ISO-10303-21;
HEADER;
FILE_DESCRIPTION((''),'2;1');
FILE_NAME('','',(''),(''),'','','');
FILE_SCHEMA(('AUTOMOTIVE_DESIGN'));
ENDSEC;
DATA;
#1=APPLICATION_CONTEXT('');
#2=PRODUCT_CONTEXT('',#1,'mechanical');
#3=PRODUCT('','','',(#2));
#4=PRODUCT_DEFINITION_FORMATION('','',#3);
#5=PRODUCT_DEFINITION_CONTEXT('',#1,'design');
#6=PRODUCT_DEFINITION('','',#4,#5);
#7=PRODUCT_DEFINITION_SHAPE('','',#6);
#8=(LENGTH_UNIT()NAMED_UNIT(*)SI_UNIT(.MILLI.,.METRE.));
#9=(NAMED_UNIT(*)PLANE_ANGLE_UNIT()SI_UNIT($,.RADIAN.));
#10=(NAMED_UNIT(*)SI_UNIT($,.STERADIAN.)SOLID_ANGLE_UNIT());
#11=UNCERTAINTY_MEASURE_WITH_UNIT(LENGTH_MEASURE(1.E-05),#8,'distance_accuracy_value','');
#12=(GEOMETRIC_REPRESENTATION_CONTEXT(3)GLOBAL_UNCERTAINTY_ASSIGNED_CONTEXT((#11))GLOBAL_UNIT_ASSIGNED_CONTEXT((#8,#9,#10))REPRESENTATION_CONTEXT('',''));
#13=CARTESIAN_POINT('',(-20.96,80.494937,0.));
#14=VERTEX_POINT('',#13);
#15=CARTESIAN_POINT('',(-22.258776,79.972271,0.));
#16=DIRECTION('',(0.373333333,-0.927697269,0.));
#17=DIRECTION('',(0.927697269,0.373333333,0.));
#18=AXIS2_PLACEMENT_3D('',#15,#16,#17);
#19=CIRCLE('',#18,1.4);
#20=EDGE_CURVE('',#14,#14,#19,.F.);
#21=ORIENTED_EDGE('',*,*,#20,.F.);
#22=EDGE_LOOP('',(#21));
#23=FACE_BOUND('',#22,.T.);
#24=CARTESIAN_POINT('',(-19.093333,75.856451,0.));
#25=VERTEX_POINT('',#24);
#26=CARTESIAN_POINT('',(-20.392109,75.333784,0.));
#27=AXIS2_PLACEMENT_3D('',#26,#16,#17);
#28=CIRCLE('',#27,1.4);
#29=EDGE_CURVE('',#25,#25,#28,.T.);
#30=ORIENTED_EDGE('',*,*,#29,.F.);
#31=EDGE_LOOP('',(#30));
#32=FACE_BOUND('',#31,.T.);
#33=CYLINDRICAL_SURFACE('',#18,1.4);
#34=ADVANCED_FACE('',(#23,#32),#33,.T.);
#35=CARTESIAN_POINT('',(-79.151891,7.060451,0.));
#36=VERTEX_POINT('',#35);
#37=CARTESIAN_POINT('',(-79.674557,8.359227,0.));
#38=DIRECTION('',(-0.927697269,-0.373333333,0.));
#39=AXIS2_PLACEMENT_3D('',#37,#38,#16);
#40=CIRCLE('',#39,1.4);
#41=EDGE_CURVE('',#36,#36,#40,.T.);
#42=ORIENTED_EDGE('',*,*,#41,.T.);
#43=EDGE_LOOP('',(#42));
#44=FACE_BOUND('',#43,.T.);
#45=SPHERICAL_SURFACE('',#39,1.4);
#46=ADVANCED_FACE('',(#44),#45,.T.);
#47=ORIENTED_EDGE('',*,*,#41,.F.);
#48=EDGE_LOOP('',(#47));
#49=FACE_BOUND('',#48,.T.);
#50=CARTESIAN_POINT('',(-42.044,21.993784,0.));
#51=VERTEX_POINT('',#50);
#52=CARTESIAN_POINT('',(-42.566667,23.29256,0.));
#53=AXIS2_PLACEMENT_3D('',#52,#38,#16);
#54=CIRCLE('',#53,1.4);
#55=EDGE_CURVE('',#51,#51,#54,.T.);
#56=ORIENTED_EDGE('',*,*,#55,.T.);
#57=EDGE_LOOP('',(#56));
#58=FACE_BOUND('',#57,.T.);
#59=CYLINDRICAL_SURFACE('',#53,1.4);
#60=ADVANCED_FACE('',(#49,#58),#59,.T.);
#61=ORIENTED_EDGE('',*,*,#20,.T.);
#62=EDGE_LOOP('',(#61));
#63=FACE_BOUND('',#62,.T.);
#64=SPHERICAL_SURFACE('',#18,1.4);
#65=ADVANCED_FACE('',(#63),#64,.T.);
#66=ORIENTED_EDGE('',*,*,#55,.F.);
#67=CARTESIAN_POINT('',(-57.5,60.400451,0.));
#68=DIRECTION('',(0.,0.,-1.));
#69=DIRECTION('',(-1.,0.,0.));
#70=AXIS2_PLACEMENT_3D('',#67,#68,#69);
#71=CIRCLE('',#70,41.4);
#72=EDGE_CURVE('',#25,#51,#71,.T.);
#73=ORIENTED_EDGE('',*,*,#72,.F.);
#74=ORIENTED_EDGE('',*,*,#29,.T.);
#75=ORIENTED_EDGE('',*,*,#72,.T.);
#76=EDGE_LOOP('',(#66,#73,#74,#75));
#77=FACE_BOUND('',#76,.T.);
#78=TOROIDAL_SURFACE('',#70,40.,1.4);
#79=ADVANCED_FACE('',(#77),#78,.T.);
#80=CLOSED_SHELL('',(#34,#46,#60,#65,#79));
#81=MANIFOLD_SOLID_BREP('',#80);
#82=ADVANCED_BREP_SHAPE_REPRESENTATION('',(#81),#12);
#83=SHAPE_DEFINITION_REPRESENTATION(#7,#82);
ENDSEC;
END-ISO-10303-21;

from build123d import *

# Parameters (mm, degrees)
SKETCH_3_R = 1.4


with BuildPart() as part:
    # 扫描1: sweep along a path in 草图2
    with BuildLine(Plane.XY) as sweep_1_path:
        Line((-22.258775921, 79.972270587), (-20.392109255, 75.333784243))
        ThreePointArc((-20.392109255, 75.333784243), (-20.701297553, 44.720670994), (-42.566666667, 23.292560165))
        Line((-42.566666667, 23.292560165), (-79.674557412, 8.359226832))
    # 草图3 → 扫描1 (sweep)
    with BuildSketch(Plane(origin=(-79.674557412, 8.359226832, 0), x_dir=(0, 0, 1), z_dir=(-0.9276972686292776, -0.3733333333333338, 0))):
        Circle(SKETCH_3_R)
    sweep(path=sweep_1_path.line)

    # 草图4 → 旋转1 (revolve)
    with BuildSketch(Plane(origin=(-65.674557412, -26.429420742, 0), x_dir=(0, 0, 1), z_dir=(-0.9276972686292776, -0.37333333333333385, 0))):
        with BuildLine():
            Line((0, 38.9), (0, 36.1))
            ThreePointArc((0, 36.1), (-1.4, 37.5), (0, 38.9))
        make_face()
    revolve(axis=Axis((-80.197224079, 9.658003008, 0), (0.37333333333333635, -0.9276972686292765, 0)))

    # 草图6 → 旋转2 (revolve)
    with BuildSketch(Plane(origin=(-30.8, 76.535024662, 0), x_dir=(0.9276972686292776, 0.37333333333333374, 0), z_dir=(-0.3733333333333337, 0.9276972686292775, 0))):
        with BuildLine():
            Line((7.806908727, 0), (10.606908727, 0))
            ThreePointArc((10.606908727, 0), (9.206908727, 1.4), (7.806908727, 0))
        make_face()
    revolve(axis=Axis((-23.557552098, 79.44960392, 0), (0.9276972686292784, 0.3733333333333317, 0)))


solid = part.part
